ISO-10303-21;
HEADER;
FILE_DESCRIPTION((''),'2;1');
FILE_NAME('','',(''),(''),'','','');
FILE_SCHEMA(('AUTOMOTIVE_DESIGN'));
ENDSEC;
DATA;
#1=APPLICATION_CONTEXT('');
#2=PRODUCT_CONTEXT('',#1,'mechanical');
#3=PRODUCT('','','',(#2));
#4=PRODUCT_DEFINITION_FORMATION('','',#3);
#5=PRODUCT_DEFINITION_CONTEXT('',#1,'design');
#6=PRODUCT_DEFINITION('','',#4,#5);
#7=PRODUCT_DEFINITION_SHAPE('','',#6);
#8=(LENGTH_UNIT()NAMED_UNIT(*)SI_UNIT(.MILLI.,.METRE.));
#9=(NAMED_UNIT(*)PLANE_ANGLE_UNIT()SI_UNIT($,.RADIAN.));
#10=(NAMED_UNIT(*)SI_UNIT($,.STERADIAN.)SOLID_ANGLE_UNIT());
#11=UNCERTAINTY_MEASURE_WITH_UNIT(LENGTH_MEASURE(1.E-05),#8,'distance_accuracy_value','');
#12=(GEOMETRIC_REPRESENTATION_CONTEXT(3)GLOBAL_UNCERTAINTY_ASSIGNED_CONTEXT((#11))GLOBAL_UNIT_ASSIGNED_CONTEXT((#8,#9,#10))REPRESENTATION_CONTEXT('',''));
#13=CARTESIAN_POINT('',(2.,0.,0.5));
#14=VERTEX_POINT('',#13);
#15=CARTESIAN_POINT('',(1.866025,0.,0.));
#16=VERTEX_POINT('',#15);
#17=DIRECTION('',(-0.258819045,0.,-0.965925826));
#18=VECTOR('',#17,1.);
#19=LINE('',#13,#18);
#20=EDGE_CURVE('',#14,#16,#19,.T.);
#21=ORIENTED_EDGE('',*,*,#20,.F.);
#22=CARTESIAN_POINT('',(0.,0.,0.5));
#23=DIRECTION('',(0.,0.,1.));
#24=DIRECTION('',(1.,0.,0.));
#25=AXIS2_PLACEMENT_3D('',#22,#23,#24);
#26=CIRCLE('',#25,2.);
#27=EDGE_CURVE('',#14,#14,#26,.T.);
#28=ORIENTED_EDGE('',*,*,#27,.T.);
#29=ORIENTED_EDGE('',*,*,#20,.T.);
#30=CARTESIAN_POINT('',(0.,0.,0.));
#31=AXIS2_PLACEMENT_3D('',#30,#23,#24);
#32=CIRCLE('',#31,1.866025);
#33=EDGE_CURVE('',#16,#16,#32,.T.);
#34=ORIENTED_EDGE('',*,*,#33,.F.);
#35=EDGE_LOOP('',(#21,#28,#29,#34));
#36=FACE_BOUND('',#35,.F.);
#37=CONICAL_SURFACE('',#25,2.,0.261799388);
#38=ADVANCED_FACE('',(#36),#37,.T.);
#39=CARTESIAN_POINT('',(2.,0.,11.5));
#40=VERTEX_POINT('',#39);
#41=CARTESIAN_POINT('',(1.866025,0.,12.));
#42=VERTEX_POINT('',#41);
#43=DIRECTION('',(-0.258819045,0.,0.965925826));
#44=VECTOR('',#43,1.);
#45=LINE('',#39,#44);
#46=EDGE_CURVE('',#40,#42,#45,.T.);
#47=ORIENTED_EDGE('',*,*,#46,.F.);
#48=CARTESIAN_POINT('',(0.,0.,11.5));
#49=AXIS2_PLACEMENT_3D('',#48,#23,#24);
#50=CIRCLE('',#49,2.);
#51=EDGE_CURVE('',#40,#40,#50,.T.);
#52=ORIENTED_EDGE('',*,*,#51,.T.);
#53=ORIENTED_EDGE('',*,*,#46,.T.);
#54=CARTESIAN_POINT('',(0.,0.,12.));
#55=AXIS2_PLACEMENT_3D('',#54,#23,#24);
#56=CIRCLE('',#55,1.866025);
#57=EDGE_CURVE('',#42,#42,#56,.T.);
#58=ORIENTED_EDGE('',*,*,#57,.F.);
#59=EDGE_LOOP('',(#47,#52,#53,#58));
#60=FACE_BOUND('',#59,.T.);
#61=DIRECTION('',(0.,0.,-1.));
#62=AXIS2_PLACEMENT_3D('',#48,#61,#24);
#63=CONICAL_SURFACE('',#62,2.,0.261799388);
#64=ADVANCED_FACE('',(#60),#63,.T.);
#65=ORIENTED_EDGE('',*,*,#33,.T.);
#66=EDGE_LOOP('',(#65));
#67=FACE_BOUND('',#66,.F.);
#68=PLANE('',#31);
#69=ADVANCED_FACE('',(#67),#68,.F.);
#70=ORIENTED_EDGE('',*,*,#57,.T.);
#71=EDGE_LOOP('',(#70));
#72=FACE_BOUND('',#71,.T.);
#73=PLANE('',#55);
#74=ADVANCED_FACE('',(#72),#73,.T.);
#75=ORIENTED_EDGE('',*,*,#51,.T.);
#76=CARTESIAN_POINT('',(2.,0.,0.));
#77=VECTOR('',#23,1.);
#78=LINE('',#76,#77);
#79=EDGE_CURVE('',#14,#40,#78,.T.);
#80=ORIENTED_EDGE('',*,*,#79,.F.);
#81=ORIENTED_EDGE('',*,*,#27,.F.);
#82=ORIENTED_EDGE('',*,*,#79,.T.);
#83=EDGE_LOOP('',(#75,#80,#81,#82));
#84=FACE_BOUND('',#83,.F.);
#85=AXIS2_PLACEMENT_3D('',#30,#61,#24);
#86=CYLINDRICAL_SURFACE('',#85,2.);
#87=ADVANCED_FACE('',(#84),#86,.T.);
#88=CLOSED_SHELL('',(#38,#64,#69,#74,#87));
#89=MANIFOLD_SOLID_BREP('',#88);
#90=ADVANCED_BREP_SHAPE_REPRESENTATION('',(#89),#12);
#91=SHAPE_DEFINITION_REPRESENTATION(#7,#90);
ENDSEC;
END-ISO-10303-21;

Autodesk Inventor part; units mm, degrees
ref_plane "YZ Plane" through (0, 0, 0) normal (1, 0, 0) x (0, 1, 0)
ref_plane "XZ Plane" through (0, 0, 0) normal (0, 1, 0) x (-1, 0, 0)
ref_plane "XY Plane" through (0, 0, 0) normal (0, 0, 1) x (1, 0, 0)
sketch "スケッチ1" plane through (0, 0, 0) normal (0, 0, 1) x (1, 0, 0)
  circle A0 centre (0, 0) radius 2
  dimension "d0" = 4
extrude "押し出し1" add sketch "スケッチ1" along normal blind 12
chamfer "面取り1" distance 0.5 angle 15 2 edges at (-2, 0, 0) (-2, 0, 12) measured on face at (1.9741, -0.3208, 8)
properties part number "平行ピンD4L12" material "ステンレス鋼"
